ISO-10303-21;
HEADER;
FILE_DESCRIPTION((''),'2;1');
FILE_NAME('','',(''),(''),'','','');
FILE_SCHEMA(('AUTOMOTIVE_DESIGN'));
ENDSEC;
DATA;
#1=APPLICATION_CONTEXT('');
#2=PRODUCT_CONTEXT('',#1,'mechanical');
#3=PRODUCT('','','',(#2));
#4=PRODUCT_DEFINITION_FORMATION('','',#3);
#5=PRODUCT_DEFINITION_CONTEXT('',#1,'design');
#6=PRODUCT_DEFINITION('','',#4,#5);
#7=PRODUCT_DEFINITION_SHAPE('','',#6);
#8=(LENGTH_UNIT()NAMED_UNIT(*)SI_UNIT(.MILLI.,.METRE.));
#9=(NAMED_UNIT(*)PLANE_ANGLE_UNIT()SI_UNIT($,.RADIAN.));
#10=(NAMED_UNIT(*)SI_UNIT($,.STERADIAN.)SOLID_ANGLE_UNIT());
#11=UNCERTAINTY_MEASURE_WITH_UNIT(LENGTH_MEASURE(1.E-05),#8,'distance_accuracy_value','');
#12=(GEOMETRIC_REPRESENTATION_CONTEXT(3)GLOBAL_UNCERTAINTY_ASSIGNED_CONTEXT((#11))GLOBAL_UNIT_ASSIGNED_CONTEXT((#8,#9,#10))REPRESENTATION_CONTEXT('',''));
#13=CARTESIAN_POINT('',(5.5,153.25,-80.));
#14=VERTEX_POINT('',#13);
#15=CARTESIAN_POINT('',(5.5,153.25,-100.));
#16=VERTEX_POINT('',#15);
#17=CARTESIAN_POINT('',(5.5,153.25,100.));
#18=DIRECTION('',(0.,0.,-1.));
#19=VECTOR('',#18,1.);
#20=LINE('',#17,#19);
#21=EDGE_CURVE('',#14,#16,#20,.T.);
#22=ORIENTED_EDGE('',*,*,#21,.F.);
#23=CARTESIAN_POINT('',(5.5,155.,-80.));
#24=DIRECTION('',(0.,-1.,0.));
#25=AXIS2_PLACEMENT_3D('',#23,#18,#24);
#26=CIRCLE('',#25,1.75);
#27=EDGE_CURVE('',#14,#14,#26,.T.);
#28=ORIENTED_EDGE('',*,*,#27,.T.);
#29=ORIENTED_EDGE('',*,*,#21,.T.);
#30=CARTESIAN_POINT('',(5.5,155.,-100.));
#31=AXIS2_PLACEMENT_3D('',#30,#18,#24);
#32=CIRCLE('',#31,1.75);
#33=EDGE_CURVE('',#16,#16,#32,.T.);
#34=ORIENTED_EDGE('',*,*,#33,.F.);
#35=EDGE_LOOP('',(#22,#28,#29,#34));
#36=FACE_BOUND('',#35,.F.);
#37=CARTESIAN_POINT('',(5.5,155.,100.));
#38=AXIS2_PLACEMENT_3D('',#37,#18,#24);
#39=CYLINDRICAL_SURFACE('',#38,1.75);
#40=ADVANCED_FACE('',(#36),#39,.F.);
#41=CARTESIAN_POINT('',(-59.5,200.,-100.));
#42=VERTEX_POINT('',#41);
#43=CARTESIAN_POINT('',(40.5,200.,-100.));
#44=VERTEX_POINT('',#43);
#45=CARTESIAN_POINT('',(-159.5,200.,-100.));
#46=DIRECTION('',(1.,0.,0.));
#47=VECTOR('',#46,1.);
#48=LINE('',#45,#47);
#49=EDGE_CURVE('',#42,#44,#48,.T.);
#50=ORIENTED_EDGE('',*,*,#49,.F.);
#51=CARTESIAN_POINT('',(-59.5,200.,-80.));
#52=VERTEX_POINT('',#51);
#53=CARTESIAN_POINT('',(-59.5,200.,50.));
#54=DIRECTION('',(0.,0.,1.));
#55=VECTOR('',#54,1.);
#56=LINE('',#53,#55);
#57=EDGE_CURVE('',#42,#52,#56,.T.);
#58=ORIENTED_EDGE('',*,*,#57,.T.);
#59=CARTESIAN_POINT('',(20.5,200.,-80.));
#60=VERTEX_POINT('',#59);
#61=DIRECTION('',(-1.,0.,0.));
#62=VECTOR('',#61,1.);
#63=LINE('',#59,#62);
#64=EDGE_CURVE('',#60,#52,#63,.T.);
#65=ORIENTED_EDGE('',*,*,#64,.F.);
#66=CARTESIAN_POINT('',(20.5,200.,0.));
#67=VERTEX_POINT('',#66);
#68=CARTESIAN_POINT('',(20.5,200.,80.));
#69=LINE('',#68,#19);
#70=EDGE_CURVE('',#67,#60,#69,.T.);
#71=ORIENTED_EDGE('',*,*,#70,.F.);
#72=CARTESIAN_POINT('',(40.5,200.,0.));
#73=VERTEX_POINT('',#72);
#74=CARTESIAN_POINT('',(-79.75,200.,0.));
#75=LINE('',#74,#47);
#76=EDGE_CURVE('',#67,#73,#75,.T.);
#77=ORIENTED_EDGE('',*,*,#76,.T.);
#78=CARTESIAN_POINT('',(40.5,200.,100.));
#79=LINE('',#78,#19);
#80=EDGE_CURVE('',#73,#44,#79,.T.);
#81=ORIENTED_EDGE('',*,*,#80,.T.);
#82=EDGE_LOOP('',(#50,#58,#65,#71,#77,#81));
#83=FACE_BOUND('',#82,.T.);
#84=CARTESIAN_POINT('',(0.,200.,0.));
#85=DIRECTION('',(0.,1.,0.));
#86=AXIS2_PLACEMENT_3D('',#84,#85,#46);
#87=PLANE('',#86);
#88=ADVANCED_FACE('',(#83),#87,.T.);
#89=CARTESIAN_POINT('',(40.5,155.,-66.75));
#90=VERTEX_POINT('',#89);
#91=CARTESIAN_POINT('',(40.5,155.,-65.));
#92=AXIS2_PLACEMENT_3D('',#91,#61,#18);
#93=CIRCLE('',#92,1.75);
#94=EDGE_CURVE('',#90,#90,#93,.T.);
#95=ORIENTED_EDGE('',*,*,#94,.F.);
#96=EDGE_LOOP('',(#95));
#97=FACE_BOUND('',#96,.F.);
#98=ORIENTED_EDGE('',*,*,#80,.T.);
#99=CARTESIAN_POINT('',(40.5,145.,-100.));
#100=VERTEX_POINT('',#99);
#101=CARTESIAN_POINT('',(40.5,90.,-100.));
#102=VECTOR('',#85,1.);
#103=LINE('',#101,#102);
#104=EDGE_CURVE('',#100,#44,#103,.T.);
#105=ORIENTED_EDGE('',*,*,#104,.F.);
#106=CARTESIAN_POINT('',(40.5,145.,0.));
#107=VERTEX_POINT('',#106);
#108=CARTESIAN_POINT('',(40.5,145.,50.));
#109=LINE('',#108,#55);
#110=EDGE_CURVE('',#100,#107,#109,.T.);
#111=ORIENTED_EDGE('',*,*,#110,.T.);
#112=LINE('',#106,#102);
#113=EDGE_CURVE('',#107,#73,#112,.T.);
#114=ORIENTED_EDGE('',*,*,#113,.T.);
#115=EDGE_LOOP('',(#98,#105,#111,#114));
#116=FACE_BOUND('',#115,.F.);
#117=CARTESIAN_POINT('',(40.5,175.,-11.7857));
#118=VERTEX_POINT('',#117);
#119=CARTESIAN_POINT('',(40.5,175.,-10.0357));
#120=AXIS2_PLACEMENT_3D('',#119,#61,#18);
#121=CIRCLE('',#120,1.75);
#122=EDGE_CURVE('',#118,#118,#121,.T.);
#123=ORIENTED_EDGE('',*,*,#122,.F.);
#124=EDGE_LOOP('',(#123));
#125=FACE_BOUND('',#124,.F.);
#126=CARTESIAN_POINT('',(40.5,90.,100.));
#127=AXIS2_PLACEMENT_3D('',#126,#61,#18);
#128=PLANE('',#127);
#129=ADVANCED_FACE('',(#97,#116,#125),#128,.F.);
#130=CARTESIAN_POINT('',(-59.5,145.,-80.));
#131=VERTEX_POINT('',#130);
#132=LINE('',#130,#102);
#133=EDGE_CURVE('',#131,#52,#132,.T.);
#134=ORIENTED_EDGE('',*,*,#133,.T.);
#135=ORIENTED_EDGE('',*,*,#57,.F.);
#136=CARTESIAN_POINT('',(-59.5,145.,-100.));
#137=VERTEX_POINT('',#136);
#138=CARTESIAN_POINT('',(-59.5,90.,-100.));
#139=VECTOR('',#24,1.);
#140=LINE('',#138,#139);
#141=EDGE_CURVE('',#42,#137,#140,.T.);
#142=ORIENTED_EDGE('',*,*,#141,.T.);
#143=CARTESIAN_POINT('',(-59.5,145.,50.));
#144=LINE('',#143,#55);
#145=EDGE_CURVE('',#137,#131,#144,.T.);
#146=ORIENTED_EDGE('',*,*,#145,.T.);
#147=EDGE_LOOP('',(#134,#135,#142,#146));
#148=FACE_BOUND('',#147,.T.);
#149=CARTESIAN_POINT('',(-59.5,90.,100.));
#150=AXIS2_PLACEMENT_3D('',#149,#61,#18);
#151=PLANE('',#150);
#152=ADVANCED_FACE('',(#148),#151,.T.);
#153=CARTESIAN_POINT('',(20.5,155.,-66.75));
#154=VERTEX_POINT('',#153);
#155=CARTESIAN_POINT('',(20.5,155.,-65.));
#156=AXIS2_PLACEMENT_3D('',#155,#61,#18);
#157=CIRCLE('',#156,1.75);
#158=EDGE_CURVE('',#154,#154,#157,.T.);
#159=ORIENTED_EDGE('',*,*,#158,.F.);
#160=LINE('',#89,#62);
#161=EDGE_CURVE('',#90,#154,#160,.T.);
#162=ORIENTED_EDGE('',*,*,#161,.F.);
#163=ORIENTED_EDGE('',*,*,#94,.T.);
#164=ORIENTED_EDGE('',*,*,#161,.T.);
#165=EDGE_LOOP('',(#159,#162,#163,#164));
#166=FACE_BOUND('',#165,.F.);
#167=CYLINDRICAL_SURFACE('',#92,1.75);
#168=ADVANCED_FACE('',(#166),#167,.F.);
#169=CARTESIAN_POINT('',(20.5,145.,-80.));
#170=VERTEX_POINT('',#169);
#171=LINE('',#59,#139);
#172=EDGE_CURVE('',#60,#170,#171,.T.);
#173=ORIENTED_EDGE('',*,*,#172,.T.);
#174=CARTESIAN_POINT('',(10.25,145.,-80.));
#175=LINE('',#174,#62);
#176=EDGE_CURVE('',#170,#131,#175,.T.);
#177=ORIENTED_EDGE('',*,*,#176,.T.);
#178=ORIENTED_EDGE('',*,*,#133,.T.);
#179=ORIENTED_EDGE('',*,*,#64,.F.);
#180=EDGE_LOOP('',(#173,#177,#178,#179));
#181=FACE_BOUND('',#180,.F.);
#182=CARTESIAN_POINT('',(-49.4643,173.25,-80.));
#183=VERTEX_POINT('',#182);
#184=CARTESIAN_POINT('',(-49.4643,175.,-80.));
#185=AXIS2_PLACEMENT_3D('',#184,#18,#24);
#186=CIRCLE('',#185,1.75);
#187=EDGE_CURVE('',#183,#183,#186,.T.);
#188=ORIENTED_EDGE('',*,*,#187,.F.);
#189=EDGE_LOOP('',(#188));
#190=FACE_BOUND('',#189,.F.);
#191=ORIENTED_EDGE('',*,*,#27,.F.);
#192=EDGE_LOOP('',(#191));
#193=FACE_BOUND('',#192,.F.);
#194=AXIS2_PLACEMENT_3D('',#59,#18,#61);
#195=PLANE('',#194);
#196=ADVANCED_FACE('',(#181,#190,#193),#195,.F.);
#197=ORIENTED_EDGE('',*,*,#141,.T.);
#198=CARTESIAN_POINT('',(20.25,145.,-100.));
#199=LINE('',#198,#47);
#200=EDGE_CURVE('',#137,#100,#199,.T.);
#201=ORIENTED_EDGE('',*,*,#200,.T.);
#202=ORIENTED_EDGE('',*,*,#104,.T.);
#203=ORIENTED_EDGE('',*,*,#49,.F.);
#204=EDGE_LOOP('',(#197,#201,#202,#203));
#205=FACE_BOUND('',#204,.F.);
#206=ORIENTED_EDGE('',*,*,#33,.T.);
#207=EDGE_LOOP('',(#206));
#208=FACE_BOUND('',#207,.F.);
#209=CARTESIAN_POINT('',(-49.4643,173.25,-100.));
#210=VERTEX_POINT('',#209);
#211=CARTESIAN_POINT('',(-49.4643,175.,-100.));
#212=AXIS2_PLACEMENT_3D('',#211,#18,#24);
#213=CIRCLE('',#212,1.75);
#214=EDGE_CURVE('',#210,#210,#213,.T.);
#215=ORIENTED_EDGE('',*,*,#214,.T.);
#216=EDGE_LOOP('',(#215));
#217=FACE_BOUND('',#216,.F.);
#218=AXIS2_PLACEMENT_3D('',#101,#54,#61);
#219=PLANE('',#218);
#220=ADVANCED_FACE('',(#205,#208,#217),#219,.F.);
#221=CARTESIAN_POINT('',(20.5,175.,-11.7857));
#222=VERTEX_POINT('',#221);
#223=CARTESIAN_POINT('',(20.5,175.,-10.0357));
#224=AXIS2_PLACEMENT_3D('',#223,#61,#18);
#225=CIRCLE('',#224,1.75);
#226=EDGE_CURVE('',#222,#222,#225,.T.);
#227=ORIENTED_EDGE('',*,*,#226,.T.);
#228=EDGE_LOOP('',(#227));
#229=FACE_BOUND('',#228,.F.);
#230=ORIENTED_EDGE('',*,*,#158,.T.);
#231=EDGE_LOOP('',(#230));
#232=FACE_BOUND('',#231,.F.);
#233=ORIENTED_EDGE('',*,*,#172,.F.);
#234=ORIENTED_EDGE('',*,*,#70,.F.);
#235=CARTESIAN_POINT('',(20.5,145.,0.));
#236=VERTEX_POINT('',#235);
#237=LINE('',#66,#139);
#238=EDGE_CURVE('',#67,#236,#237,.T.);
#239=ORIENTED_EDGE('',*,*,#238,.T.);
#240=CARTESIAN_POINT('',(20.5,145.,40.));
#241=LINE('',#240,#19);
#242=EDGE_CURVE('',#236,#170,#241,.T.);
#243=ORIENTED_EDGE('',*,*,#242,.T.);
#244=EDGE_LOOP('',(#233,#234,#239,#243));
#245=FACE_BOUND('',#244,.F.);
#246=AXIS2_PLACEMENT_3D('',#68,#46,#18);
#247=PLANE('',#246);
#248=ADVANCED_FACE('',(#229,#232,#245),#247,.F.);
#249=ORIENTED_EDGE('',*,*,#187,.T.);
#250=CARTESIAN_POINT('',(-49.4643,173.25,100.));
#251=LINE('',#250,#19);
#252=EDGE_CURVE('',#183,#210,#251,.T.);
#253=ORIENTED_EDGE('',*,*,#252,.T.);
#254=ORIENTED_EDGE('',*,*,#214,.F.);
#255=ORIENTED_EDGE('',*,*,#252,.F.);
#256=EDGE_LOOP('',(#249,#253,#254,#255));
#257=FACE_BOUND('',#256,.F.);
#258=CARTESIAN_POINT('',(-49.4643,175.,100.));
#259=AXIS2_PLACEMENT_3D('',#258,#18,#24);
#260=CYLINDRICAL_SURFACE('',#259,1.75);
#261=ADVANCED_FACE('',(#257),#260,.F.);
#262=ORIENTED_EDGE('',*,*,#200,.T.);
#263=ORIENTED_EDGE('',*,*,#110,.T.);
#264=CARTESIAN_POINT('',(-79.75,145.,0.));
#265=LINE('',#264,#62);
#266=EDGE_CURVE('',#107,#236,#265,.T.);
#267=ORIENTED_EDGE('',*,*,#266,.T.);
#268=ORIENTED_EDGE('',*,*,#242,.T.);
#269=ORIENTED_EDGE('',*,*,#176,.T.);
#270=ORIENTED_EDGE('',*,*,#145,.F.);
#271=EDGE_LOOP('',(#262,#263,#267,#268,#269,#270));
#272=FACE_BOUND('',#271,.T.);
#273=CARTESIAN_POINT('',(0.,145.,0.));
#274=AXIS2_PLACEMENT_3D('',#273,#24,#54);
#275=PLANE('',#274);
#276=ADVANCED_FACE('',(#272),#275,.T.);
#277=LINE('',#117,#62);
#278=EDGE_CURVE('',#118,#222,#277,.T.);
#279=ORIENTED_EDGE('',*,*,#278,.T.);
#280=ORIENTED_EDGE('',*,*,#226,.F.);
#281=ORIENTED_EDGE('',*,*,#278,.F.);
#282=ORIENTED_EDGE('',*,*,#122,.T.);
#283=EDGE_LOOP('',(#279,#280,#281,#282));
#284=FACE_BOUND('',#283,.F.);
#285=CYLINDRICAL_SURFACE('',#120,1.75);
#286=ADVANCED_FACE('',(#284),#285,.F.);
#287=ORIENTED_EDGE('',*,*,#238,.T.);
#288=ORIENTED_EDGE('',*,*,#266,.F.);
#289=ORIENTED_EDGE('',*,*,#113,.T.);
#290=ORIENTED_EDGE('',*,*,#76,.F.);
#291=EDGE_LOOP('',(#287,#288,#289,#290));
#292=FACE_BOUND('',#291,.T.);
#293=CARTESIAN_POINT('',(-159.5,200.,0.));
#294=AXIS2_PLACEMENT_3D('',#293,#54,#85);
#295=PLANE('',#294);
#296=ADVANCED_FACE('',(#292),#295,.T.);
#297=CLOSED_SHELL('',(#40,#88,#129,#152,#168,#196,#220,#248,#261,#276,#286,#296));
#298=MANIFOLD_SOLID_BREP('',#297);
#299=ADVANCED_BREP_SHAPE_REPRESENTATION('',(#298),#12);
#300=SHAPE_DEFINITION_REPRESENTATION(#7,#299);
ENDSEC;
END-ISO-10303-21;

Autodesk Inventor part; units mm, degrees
ref_plane "YZ Plane" through (0, 0, 0) normal (1, 0, 0) x (0, 1, 0)
ref_plane "XZ Plane" through (0, 0, 0) normal (0, 1, 0) x (-1, 0, 0)
ref_plane "XY Plane" through (0, 0, 0) normal (0, 0, 1) x (1, 0, 0)
sketch "Boceto2" plane through (0, 0, 0) normal (0, 1, 0) x (-1, 0, 0)
  line L0 (7.5, 100) -> (-7.5, 100)
  line L1 (-7.5, 100) -> (-7.5, -100)
  line L2 (-7.5, -100) -> (7.5, -100)
  line L3 (7.5, -100) -> (7.5, 100)
  line L4 (7.5, 100) -> (-7.5, -100) construction
  line L5 (-7.5, 100) -> (7.5, -100) construction
  point P0 (0, 0)
  dimension "d7" = 15
  dimension "d8" = 200
extrude "Extrusión1" add sketch "Boceto2" along normal blind 10
sketch "Boceto3" plane through (0, 10, 0) normal (0, 1, 0) x (1, 0, 0)
  line L0 (5, 60) -> (-5, 60)
  line L1 (-5, 60) -> (-5, 70)
  line L2 (-5, 70) -> (5, 70)
  line L3 (5, 70) -> (5, 60)
  line L4 (5, 60) -> (-5, 70) construction
  line L5 (7.5, 100) -> (-7.5, 100) projected
  line L6 (0, 64.5148) -> (0, 61.9205)
  circle A0 centre (3.25, 61.75) radius 1.75
  circle A1 centre (-3.25, 68.25) radius 1.75
  line L7 (-7.5, 100) -> (-7.5, -100) projected
  line L8 (-7.5, 0) -> (0, 0)
  line L9 (5, -70) -> (5, -60)
  line L10 (-5, -70) -> (5, -70)
  line L11 (5, -60) -> (-5, -60)
  line L12 (-5, -60) -> (-5, -70)
  line L13 (5, -60) -> (-5, -70) construction
  line L14 (0, -64.5148) -> (0, -61.9205)
  circle A2 centre (-3.25, -68.25) radius 1.75
  circle A3 centre (3.25, -61.75) radius 1.75
  point P0 (3.25, 68.25)
  point P1 (-5, 65)
  point P2 (-3.25, 61.75)
  point P3 (0, 100)
  point P4 (3.25, -68.25)
  point P5 (-3.25, -61.75)
  point P6 (-5, -65)
  dimension "d12" = 1.75
  dimension "d13" = 1.75
  dimension "d14" = 1.75
  dimension "d15" = 1.75
  dimension "d16" = 10
  dimension "d17" = 10
  dimension "d19" = 30
  dimension "d67" = 31.75
hole "Agujero1" at (3.25, 10, -61.75) at (-3.25, 10, -68.25) at (-3.25, 10, 68.25) at (3.25, 10, 61.75) direction (0, -1, 0) diameter 3.5 end through all
sketch "Boceto4" plane through (0, 10, 0) normal (0, 1, 0) x (1, 0, 0)
  line L0 (-7.5, 100) -> (-7.5, -100) projected
  line L1 (-7.5, -100) -> (7.5, -100)
  line L2 (7.5, -100) -> (7.5, -80)
  line L3 (7.5, -80) -> (-7.5, -80)
  line L4 (-7.5, -80) -> (-7.5, -100)
  line L5 (-7.5, 0) -> (1.0116, 0)
  line L6 (-7.5, -100) -> (-7.5, 100)
  line L7 (-7.5, 100) -> (7.5, 100)
  line L8 (7.5, 100) -> (7.5, 80)
  line L9 (7.5, 80) -> (-7.5, 80)
  line L10 (-7.5, 80) -> (-7.5, 100)
  point P0 (0, 0)
  point P1 (-7.5, -80)
  point P2 (-7.5, 80)
  dimension "d27" = 15
  dimension "d28" = 20
extrude "Extrusión2" add sketch "Boceto4" along normal blind 80
sketch "Boceto5" plane through (0, 90, 0) normal (0, 1, 0) x (1, 0, 0)
  line L0 (-7.5, -100) -> (7.5, -100) projected
  line L1 (-7.5, -100) -> (40.5, -100)
  line L2 (40.5, -100) -> (40.5, 100)
  line L3 (40.5, 100) -> (-7.5, 100)
  line L4 (-7.5, 100) -> (-7.5, -100)
  line L5 (40.5, -100) -> (-159.5, -100)
  line L6 (-159.5, -100) -> (-159.5, 100)
  line L7 (-159.5, 100) -> (40.5, 100)
  line L8 (40.5, 100) -> (40.5, -100)
  point P0 (0, 0)
  point P1 (-7.5, 100)
  dimension "d31" = 48
  dimension "d32" = 200
  dimension "d74" = 200
extrude "Extrusión3" add sketch "Boceto5" along normal blind 110
sketch "Boceto6" plane through (0, 200, 0) normal (0, 1, 0) x (1, 0, 0)
  line L0 (40.5, 100) -> (7.5, 100) projected
  line L1 (40.5, 100) -> (20.5, 100)
  line L2 (20.5, 100) -> (20.5, 80)
  line L3 (7.5, -100) -> (40.5, -100) projected
  line L4 (24, -100) -> (24, -80)
  line L5 (-159.5, 100) -> (-159.5, -100) projected
  line L6 (20.5, 80) -> (-159.5, 80)
  line L7 (-159.5, 80) -> (-159.5, -80)
  line L8 (-159.5, -80) -> (20.5, -80)
  line L9 (20.5, -80) -> (20.5, 80)
  line L10 (-159.5, -100) -> (40.5, -100) projected
  point P0 (7.5, 80)
  point P1 (-159.5, 80)
  dimension "d36" = 20
  dimension "d37" = 20
  dimension "d38" = 20
  dimension "d78" = 20
extrude "Extrusión4" cut sketch "Boceto6" against normal blind 90
sketch "Boceto7" plane through (-159.5, 90, -100) normal (-1, 0, 0) x (0, 0, 1)
  line L0 (0, 110) -> (20, 110) projected
  line L1 (20, 110) -> (10, 110)
  line L2 (10, 110) -> (10, 20)
  line L3 (10, 20) -> (20, 20)
  line L4 (20, 20) -> (20, 110)
  line L5 (180, 110) -> (180, 20) projected
  line L6 (180, 110) -> (190, 110)
  line L7 (190, 110) -> (190, 20)
  line L8 (190, 20) -> (180, 20)
  line L9 (180, 20) -> (180, 110)
  line L10 (200, 0) -> (200, 110) projected
  line L11 (0, 0) -> (0, 110) projected
  line L12 (0, 110) -> (10, 110)
  line L13 (10, 110) -> (10, 20)
  line L14 (10, 20) -> (0, 20)
  line L15 (0, 20) -> (0, 110)
  line L16 (200, 110) -> (0, 110) projected
  line L17 (200, 110) -> (190, 110)
  line L18 (190, 110) -> (190, 20)
  line L19 (190, 20) -> (200, 20)
  line L20 (200, 20) -> (200, 110)
  point P0 (100, -90)
  point P1 (200, 20)
  dimension "d42" = 10
  dimension "d63" = 10
  dimension "d65" = 10
extrude "Extrusión5" cut sketch "Boceto7" against normal blind 30 contours L0 L2 L14 L11 | L16 L10 L19 L7
sketch "Boceto8" plane through (-7.5, 0, 100) normal (0, 0, 1) x (1, 0, 0)
  line L0 (-122, 200) -> (-122, 110) projected
  line L1 (-132, 175) -> (-142, 175)
  line L2 (-142, 175) -> (-142, 185)
  line L3 (-142, 185) -> (-132, 185)
  line L4 (-132, 185) -> (-132, 175)
  line L5 (-132, 175) -> (-142, 185) construction
  line L6 (-142, 175) -> (-132, 185) construction
  line L7 (-152, 200) -> (48, 200) projected
  line L8 (-113, 155) -> (-128, 155)
  line L9 (-152, 110) -> (-122, 110) projected
  line L10 (-132, 180) -> (-131.5898, 180)
  circle A0 centre (-140.25, 183.25) radius 1.75
  circle A1 centre (-133.75, 176.75) radius 1.75
  line L11 (-132, 125) -> (-132, 135)
  line L12 (-142, 125) -> (-132, 125)
  line L13 (-132, 135) -> (-142, 125) construction
  line L14 (-132, 135) -> (-142, 135)
  line L15 (-142, 135) -> (-132, 125) construction
  line L16 (-142, 135) -> (-142, 125)
  line L17 (-132, 130) -> (-131.5898, 130)
  circle A2 centre (-133.75, 133.25) radius 1.75
  circle A3 centre (-140.25, 126.75) radius 1.75
  line L18 (-152, 110) -> (-152, 200) projected
  point P0 (7.5, 0)
  point P1 (-113, 215)
  point P2 (-133.75, 183.25)
  point P3 (-142, 180)
  point P4 (-140.25, 176.75)
  point P5 (48, 200)
  point P6 (-133.75, 126.75)
  point P7 (-140.25, 133.25)
  point P8 (-143, 115)
  point P9 (-133.75, 126.75)
  point P10 (-140.25, 133.25)
  point P11 (-142, 130)
  dimension "d46" = 1.75
  dimension "d47" = 1.75
  dimension "d48" = 1.75
  dimension "d49" = 1.75
  dimension "d50" = 10
  dimension "d51" = 10
  dimension "d52" = 15
  dimension "d66" = 10
  dimension "d70" = 15
hole "Agujero2" at (-147.75, 183.25, 100) at (-141.25, 176.75, 100) at (-147.75, 126.75, 100) at (-141.25, 133.25, 100) direction (0, 0, -1) diameter 3.5 end through all
ref_plane "Plano de trabajo1" through (-159.5, 90, 100) normal (0, -1, 0) x (1, 0, 0)
split "Dividir1" plane through (-159.5, 90, 100) removes the side toward (0, -1, 0)
ref_plane "Plano de trabajo2" through (-159.5, 200, 0) normal (0, 0, 1) x (1, 0, 0)
ref_plane "Plano de trabajo3" through (-59.5, 90, 100) normal (1, 0, 0) x (0, 0, -1)
sketch "Boceto9" plane through (-159.5, 90, 100) normal (0, 0, 1) x (1, 0, 0)
  line L0 (85.0357, 30) -> (115.0357, 30)
  circle A0 centre (110.0357, 25) radius 1.75
  line L1 (90.0357, 25) -> (110.0357, 25)
  line L2 (115.0357, 30) -> (115.0357, 20)
  circle A1 centre (90.0357, 25) radius 1.75
  line L3 (85.0357, 20) -> (115.0357, 30) construction
  line L4 (85.0357, 30) -> (115.0357, 20) construction
  line L5 (85.0357, 20) -> (85.0357, 30)
  line L6 (115.0357, 20) -> (85.0357, 20)
  line L7 (240, 0) -> (-40, 0) projected
  line L8 (200, 0) -> (200, 110) projected
  line L9 (200, 55) -> (88.2857, 55)
  line L10 (85.0357, 80) -> (115.0357, 80)
  circle A2 centre (110.0357, 85) radius 1.75
  line L11 (90.0357, 85) -> (110.0357, 85)
  line L12 (115.0357, 80) -> (115.0357, 90)
  circle A3 centre (90.0357, 85) radius 1.75
  line L13 (85.0357, 90) -> (115.0357, 80) construction
  line L14 (85.0357, 80) -> (115.0357, 90) construction
  line L15 (85.0357, 90) -> (85.0357, 80)
  line L16 (115.0357, 90) -> (85.0357, 90)
  line L17 (100.0357, 55) -> (185.099, 55) construction
  line L18 (160, 70) -> (160, 40)
  circle A4 centre (165, 45) radius 1.75
  line L19 (165, 65) -> (165, 45)
  line L20 (160, 40) -> (170, 40)
  circle A5 centre (165, 65) radius 1.75
  line L21 (170, 70) -> (160, 40) construction
  line L22 (160, 70) -> (170, 40) construction
  line L23 (170, 70) -> (160, 70)
  line L24 (170, 40) -> (170, 70)
  circle A6 centre (55, 65) radius 1.75
  line L25 (60, 70) -> (60, 40)
  line L26 (60, 70) -> (50, 40) construction
  line L27 (50, 70) -> (60, 70)
  line L28 (50, 40) -> (50, 70)
  line L29 (50, 70) -> (60, 40) construction
  circle A7 centre (55, 45) radius 1.75
  line L30 (55, 65) -> (55, 45)
  line L31 (60, 40) -> (50, 40)
  line L32 (30, 110) -> (30, 20) projected
  point P0 (159.5, -90)
  point P1 (100.0357, 34.7141)
  point P2 (85.0357, 36.6749)
  point P3 (100.0357, 34.7141)
  point P4 (115.0357, 25)
  point P5 (115.0357, 85)
  point P6 (189.1833, 40)
  point P7 (165, 70)
  point P8 (70.0357, 40)
  point P9 (55, 70)
  dimension "d83" = 10
  dimension "d84" = 30
  dimension "d85" = 5
  dimension "d86" = 5
  dimension "d87" = 5
  dimension "d88" = 5
  dimension "d89" = 20
  dimension "d91" = 30
  dimension "d92" = 5
  dimension "d93" = 5
  dimension "d94" = 3.5
  dimension "d95" = 5
  dimension "d96" = 5
  dimension "d97" = 5
  dimension "d98" = 5
  dimension "d99" = 5
  dimension "d100" = 20
ref_plane "Plano de trabajo4" through (0, 145, 0) normal (0, 1, 0) x (1, 0, 0)
hole "Agujero3" at (-104.5, 155, 100) at (-69.4643, 175, 100) at (-49.4643, 175, 100) at (-104.5, 135, 100) at (-69.4643, 115, 100) at (-49.4643, 115, 100) at (5.5, 135, 100) at (5.5, 155, 100) direction (0, 0, -1) diameter 3.5 end through all
sketch "Boceto10" plane through (40.5, 90, 100) normal (1, 0, 0) x (0, 0, -1)
  line L0 (85.0357, 30) -> (115.0357, 30)
  circle A0 centre (110.0357, 25) radius 1.75
  line L1 (90.0357, 25) -> (110.0357, 25)
  line L2 (115.0357, 30) -> (115.0357, 20)
  circle A1 centre (90.0357, 25) radius 1.75
  line L3 (85.0357, 20) -> (115.0357, 30) construction
  line L4 (85.0357, 30) -> (115.0357, 20) construction
  line L5 (85.0357, 20) -> (85.0357, 30)
  line L6 (115.0357, 20) -> (85.0357, 20)
  circle A2 centre (90.0357, 85) radius 1.75
  line L7 (85.0357, 80) -> (115.0357, 80)
  line L8 (85.0357, 80) -> (115.0357, 90) construction
  line L9 (85.0357, 90) -> (85.0357, 80)
  line L10 (115.0357, 90) -> (85.0357, 90)
  line L11 (85.0357, 90) -> (115.0357, 80) construction
  circle A3 centre (110.0357, 85) radius 1.75
  line L12 (90.0357, 85) -> (110.0357, 85)
  line L13 (115.0357, 80) -> (115.0357, 90)
  line L14 (160, 70) -> (160, 40)
  circle A4 centre (165, 45) radius 1.75
  line L15 (170, 40) -> (170, 70)
  line L16 (170, 70) -> (160, 40) construction
  line L17 (160, 40) -> (170, 40)
  line L18 (160, 70) -> (170, 40) construction
  circle A5 centre (165, 65) radius 1.75
  line L19 (165, 65) -> (165, 45)
  line L20 (170, 70) -> (160, 70)
  circle A6 centre (35, 65) radius 1.75
  line L21 (40, 70) -> (40, 40)
  line L22 (40, 40) -> (30, 40)
  circle A7 centre (35, 45) radius 1.75
  line L23 (35, 65) -> (35, 45)
  line L24 (40, 70) -> (30, 40) construction
  line L25 (30, 40) -> (30, 70)
  line L26 (30, 70) -> (40, 40) construction
  line L27 (30, 70) -> (40, 70)
  line L28 (0, 0) -> (0, 110) projected
  line L29 (200, 0) -> (200, 110) projected
  point P0 (100, -90)
  point P1 (100.0357, 34.7141)
  point P2 (100.0357, 34.7141)
  point P3 (85.0357, 36.6749)
  point P4 (115.0357, 25)
  point P5 (88.2857, 55)
  point P6 (115.0357, 85)
  point P7 (100.0357, 55)
  point P8 (189.1833, 40)
  point P9 (165, 70)
  point P10 (70.0357, 40)
  point P11 (35, 70)
  dimension "d108" = 10
  dimension "d109" = 30
  dimension "d110" = 5
  dimension "d111" = 5
  dimension "d112" = 5
  dimension "d113" = 5
  dimension "d114" = 5
  dimension "d115" = 5
  dimension "d116" = 3.5
  dimension "d117" = 5
  dimension "d118" = 5
  dimension "d119" = 5
  dimension "d120" = 5
  dimension "d121" = 5
  dimension "d122" = 30
  dimension "d123" = 30
hole "Agujero4" at (40.5, 175, 9.9643) at (40.5, 175, -10.0357) at (40.5, 155, 65) at (40.5, 135, 65) at (40.5, 115, 9.9643) at (40.5, 115, -10.0357) at (40.5, 135, -65) at (40.5, 155, -65) direction (-1, 0, 0) diameter 3.5 end through all
split "Dividir2" plane through (-59.5, 90, 100) removes the side toward (-1, 0, 0)
split "Dividir3" plane through (0, 145, 0) removes the side toward (0, -1, 0)
split "Dividir4" plane through (-159.5, 200, 0) removes the side toward (0, 0, 1)
properties part number "container_back_head_5"
